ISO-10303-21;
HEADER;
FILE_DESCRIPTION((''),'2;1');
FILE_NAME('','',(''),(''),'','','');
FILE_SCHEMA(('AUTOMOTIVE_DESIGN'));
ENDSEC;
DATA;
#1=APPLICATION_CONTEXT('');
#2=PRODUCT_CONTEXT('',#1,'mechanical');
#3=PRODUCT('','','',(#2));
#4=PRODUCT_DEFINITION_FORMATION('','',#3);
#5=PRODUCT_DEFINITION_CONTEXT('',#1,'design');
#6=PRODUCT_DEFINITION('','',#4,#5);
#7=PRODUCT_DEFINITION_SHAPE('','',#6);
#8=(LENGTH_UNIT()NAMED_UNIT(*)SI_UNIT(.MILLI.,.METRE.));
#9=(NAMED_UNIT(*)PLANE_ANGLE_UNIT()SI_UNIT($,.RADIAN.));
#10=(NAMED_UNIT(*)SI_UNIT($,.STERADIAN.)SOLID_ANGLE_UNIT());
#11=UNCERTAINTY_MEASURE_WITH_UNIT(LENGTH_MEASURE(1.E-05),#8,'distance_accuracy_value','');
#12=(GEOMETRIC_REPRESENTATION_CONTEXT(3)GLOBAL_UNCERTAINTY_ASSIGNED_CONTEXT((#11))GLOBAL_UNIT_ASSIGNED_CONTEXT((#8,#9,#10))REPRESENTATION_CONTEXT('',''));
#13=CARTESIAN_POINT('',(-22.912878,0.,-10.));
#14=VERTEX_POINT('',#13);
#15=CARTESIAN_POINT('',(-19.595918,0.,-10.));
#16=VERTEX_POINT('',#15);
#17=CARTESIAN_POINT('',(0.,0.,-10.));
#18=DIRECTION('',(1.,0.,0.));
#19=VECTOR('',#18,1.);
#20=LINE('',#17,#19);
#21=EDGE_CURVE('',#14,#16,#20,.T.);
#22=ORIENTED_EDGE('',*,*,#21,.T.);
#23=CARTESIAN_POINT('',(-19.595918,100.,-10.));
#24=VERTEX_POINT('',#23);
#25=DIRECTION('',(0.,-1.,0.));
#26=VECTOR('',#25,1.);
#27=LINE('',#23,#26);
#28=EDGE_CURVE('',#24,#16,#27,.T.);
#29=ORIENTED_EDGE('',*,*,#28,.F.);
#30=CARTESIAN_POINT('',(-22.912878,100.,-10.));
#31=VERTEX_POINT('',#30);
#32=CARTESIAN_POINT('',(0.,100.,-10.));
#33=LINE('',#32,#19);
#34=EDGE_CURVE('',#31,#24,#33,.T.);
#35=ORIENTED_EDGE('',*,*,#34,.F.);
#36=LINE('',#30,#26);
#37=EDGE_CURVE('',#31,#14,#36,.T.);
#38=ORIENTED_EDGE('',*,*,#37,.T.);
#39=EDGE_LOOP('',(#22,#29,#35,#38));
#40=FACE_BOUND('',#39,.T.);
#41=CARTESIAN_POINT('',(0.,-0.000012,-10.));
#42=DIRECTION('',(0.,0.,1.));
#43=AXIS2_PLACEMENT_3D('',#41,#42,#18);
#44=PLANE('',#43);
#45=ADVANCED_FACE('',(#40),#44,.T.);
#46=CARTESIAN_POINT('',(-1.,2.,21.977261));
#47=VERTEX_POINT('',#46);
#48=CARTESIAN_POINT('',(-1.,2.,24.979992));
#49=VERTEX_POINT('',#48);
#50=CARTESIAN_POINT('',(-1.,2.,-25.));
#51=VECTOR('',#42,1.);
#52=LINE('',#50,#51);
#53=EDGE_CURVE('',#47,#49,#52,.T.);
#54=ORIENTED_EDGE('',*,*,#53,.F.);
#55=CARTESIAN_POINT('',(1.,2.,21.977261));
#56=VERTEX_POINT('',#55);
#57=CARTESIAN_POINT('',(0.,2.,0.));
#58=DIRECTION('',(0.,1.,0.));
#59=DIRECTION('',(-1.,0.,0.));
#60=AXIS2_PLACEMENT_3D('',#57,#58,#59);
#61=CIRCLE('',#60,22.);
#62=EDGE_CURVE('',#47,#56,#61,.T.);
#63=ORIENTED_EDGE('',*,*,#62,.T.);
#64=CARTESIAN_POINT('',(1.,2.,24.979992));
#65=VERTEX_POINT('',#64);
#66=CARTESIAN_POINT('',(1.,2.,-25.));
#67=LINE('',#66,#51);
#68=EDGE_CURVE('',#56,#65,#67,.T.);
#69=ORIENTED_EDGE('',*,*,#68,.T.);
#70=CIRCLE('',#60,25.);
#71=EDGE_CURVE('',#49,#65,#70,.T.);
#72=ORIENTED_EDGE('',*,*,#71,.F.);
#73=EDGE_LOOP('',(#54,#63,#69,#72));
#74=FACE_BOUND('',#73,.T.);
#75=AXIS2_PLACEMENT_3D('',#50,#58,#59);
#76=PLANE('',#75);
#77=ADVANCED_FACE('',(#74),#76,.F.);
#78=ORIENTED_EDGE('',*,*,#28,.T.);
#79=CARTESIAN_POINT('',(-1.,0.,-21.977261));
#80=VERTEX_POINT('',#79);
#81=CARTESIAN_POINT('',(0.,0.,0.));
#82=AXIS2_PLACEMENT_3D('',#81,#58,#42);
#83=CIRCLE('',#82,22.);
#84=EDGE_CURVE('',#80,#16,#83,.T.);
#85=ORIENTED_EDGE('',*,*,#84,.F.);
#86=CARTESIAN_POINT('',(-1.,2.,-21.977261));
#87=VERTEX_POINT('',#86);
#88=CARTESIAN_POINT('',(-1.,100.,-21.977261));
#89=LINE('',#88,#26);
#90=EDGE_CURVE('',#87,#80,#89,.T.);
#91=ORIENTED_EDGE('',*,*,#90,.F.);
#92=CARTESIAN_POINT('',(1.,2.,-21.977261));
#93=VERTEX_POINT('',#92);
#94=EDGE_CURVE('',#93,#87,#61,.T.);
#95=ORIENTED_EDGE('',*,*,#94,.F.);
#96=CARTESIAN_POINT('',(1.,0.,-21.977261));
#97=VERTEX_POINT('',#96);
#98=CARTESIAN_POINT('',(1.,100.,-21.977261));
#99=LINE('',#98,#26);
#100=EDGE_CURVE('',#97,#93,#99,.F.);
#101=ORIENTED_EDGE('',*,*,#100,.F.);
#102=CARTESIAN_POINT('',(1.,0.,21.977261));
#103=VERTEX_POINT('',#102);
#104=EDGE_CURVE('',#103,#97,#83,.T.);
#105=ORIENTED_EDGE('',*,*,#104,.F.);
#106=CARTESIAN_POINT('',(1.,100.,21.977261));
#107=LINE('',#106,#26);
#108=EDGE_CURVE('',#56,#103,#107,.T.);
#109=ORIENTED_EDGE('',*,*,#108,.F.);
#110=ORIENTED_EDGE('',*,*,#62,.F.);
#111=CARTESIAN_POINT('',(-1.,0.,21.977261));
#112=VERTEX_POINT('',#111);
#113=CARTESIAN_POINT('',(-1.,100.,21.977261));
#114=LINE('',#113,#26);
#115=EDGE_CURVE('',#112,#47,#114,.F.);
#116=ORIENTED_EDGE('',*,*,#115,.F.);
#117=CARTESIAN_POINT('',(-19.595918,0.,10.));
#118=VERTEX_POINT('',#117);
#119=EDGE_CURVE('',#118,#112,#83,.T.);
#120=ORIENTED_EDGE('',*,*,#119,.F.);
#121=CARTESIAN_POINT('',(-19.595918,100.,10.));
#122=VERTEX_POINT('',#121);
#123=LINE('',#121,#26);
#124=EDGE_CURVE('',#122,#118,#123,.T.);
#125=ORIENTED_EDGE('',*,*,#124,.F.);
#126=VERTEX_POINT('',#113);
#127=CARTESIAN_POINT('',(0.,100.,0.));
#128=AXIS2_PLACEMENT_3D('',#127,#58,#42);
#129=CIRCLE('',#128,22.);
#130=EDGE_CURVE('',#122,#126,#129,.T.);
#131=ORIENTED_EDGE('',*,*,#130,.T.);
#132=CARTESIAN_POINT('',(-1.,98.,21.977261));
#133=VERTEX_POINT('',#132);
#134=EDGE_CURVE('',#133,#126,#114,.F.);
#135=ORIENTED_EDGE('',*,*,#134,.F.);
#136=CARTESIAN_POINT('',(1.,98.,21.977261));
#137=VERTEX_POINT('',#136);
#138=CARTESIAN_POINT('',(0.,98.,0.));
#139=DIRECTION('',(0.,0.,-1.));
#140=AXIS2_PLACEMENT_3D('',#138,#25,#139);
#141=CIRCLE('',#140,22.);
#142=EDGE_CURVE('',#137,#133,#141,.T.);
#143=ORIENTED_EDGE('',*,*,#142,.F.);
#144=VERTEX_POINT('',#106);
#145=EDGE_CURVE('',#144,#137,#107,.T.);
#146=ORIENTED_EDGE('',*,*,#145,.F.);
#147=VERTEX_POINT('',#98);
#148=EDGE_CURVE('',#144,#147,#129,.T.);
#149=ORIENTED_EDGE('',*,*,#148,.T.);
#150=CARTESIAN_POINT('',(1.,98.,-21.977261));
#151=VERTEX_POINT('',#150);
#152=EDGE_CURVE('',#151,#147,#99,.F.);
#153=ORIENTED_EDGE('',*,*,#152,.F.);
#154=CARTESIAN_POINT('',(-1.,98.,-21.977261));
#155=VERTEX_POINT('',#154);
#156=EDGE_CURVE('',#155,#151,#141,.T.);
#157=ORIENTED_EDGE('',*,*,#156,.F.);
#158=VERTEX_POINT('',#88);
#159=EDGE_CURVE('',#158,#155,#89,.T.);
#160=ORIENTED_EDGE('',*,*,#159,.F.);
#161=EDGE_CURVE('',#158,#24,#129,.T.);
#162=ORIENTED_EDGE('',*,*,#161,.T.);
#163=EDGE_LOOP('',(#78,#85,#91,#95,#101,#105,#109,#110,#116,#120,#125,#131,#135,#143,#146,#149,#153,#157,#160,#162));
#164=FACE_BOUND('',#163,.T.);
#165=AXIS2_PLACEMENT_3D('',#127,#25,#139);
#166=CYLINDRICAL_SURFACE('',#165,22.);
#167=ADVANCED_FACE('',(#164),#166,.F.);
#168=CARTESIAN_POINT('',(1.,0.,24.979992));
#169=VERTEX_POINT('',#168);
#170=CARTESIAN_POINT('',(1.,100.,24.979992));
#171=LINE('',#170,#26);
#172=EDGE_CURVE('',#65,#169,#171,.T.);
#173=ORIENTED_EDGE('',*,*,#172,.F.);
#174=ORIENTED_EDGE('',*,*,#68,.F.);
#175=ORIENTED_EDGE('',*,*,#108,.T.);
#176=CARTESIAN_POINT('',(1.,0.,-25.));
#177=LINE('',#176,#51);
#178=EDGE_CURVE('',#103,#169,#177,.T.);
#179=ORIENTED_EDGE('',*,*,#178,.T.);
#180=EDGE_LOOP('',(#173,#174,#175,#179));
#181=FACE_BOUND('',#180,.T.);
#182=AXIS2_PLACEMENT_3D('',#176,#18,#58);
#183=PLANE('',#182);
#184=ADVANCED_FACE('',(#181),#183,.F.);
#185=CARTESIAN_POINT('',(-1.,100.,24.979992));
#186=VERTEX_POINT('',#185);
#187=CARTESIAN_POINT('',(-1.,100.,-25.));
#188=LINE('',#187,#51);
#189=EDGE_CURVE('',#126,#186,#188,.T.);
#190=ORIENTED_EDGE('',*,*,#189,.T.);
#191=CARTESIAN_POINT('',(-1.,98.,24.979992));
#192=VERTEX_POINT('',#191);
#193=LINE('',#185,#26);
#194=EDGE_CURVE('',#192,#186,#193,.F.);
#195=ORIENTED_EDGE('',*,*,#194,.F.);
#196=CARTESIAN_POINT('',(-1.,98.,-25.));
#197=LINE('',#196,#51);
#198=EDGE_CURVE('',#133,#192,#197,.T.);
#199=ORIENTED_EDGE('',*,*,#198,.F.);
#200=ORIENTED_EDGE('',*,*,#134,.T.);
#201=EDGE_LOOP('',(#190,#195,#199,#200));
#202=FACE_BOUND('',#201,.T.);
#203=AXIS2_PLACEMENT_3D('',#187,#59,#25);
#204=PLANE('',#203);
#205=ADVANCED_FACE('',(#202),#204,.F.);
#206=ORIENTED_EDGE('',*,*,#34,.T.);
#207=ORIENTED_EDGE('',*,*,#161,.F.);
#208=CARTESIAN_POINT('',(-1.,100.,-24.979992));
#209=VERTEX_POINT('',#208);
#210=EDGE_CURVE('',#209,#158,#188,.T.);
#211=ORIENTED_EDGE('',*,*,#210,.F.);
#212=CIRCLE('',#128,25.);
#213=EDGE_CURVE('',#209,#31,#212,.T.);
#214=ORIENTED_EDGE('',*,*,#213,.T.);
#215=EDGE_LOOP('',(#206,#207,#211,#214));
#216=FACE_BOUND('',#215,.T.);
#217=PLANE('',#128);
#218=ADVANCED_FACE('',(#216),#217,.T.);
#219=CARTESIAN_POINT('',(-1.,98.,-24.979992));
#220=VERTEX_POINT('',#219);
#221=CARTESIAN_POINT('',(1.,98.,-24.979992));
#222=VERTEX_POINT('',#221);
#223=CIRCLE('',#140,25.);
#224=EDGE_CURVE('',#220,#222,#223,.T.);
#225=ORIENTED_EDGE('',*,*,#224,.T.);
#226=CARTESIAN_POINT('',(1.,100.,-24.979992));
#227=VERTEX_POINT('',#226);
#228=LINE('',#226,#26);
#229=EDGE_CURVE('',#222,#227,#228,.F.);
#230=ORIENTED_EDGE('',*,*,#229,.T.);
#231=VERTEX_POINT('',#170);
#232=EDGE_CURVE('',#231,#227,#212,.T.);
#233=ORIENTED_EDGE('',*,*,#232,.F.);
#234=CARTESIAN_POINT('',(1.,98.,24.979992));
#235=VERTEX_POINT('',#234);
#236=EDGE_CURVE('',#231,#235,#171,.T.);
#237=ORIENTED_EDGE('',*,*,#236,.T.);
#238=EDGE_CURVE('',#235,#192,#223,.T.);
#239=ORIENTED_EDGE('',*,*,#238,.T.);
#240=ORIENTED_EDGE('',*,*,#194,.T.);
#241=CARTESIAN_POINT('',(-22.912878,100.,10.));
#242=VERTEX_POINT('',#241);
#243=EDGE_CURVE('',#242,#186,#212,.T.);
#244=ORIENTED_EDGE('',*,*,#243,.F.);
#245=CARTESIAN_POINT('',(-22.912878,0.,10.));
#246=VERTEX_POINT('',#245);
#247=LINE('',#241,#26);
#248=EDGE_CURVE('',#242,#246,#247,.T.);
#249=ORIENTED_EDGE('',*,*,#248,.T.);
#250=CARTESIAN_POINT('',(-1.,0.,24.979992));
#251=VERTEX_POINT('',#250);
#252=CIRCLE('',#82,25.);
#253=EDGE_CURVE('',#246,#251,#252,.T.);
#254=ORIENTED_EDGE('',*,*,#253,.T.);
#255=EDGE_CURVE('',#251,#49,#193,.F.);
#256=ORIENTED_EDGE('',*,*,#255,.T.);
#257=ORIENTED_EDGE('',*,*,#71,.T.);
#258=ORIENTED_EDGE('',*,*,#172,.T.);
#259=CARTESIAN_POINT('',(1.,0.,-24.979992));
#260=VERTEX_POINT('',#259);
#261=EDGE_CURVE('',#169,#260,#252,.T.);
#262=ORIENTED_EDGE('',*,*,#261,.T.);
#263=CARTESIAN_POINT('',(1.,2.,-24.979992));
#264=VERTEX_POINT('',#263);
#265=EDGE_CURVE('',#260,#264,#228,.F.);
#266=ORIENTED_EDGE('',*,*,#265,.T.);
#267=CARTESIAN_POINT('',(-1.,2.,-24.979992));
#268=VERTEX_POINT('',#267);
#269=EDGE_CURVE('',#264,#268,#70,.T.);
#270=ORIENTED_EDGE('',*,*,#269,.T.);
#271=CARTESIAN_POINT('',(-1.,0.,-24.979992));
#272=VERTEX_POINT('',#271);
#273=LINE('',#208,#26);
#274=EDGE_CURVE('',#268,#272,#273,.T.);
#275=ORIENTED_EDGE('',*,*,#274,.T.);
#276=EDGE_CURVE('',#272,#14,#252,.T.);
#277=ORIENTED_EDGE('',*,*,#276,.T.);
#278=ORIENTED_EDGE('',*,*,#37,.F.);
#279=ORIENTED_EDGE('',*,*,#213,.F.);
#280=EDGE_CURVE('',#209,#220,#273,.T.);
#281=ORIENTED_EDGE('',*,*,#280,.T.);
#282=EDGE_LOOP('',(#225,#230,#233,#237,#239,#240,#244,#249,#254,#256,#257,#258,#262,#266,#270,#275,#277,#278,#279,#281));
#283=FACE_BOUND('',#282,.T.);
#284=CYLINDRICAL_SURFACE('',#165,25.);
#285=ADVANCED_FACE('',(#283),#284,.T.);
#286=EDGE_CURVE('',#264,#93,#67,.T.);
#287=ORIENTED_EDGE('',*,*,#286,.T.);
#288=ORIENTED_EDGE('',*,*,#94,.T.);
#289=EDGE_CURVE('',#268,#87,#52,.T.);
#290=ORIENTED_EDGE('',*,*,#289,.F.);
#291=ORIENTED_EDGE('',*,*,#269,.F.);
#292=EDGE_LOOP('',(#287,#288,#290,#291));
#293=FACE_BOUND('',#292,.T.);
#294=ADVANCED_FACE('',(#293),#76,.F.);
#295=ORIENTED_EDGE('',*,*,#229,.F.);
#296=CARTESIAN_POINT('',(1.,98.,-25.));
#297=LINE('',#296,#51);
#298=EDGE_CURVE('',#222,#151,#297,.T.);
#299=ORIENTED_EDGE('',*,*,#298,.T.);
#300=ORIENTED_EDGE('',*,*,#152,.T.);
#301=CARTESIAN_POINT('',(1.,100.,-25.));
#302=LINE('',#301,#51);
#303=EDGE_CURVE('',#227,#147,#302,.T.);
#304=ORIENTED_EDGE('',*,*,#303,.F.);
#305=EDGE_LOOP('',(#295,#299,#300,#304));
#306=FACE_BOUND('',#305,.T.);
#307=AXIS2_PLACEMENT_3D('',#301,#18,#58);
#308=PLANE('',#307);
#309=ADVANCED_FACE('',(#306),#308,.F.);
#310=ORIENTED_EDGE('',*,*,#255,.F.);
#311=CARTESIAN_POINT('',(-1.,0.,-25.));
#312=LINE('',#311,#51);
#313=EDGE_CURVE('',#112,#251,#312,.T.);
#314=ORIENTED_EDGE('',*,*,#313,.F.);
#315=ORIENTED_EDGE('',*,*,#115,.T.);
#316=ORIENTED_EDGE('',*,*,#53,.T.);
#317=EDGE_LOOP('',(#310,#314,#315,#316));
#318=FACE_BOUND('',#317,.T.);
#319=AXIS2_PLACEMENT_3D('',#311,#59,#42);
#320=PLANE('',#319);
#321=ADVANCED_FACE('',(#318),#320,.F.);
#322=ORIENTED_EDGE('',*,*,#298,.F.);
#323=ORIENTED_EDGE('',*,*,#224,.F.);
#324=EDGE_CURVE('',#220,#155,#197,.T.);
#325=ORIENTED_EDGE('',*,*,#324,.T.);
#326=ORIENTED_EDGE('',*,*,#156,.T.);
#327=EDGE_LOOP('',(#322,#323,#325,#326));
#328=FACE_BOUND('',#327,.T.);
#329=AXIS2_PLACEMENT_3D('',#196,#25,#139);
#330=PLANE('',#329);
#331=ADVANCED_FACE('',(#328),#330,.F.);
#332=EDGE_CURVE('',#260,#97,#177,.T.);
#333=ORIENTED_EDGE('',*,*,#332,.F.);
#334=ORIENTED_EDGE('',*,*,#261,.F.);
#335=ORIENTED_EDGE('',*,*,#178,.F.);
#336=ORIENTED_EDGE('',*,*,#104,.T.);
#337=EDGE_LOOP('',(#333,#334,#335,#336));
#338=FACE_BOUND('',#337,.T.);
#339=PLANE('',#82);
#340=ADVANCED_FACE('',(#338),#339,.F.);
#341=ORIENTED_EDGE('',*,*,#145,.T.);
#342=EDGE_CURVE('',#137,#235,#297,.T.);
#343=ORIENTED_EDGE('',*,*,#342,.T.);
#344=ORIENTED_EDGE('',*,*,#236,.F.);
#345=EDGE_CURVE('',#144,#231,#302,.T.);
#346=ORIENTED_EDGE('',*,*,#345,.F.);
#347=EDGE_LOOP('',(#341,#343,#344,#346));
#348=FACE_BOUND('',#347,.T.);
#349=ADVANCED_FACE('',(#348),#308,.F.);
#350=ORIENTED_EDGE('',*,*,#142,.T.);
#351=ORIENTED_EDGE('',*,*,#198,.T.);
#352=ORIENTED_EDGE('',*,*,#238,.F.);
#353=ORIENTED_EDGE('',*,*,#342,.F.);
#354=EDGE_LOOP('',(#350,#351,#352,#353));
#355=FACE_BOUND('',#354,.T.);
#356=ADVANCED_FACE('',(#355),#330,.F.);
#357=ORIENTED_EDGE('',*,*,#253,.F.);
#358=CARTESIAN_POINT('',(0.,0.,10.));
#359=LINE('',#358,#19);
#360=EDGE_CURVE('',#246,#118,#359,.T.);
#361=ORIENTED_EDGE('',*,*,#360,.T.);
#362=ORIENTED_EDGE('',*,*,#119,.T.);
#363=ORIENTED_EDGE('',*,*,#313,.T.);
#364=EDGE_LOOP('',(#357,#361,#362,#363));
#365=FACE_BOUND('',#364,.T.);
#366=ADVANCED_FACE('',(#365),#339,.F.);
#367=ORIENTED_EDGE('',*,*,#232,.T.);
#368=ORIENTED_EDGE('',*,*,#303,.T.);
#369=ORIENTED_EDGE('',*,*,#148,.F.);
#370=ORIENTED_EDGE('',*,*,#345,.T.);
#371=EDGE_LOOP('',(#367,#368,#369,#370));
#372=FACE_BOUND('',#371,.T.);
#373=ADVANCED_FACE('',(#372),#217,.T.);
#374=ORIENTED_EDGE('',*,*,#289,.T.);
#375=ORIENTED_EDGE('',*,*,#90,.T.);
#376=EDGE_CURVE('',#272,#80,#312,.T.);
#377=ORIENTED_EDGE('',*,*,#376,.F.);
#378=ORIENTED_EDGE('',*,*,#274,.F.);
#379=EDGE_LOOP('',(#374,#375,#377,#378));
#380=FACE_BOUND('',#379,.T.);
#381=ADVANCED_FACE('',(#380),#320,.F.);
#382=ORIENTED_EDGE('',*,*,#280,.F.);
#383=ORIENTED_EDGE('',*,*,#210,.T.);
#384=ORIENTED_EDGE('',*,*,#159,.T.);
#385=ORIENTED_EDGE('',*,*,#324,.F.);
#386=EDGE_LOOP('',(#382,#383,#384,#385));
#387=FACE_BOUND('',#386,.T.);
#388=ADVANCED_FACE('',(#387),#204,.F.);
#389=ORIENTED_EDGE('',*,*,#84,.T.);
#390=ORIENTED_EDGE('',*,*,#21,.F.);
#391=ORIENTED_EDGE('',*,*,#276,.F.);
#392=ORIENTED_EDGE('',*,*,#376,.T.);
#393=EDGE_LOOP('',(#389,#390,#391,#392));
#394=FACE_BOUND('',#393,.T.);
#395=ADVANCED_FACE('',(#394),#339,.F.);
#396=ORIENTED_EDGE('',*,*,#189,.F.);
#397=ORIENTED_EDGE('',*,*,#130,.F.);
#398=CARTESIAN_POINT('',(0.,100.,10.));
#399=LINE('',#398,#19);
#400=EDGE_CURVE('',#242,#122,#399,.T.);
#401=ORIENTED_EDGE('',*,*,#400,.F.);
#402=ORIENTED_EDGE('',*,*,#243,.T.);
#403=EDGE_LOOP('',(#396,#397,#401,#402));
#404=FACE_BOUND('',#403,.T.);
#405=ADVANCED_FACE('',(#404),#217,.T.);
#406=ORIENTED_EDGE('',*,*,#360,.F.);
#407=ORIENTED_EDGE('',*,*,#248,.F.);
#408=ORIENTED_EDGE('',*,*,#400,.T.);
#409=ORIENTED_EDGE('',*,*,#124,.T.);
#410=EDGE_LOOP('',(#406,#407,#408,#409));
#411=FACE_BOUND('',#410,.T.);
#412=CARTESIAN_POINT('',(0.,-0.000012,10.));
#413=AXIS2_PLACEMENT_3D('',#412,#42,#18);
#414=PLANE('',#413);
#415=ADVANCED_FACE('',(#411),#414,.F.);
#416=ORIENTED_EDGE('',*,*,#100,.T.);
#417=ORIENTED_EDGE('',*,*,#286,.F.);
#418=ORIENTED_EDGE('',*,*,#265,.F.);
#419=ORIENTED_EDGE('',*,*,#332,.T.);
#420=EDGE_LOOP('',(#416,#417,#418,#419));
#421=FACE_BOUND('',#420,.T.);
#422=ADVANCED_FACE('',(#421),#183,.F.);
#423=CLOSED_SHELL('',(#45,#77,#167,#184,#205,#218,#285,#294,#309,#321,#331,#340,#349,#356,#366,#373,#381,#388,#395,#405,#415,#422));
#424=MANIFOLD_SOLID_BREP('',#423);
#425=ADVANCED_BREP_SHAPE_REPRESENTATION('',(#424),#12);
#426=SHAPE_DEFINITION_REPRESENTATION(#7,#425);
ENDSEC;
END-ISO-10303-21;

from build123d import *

# Parameters (mm, degrees)
SKETCH_1_R               = 25
SKETCH_1_R_2             = 22
EXTRUDE_1_DEPTH          = 100
CUT_EXTRUDE_1_DEPTH      = 107.066017178
CUT_EXTRUDE_1_DEPTH_BACK = 107.066017178
SKETCH_2_W               = 2
SKETCH_2_H               = 2
CUT_EXTRUDE_4_DEPTH      = 107.066017178
CUT_EXTRUDE_4_DEPTH_BACK = 107.066017178
SKETCH_3_W               = 30.652062969
SKETCH_3_H               = 20


with BuildPart() as part:
    # 草圖1 → 填料-伸長1 (new body)
    with BuildSketch(Plane(origin=(0, 0, 0), x_dir=(1, 0, 0), z_dir=(0, 1, 0))):
        with Locations(Location((0, 0, 0), (0, 0, 270))):
            Circle(SKETCH_1_R)
        with Locations(Location((0, 0, 0), (0, 0, 270))):
            Circle(SKETCH_1_R_2, mode=Mode.SUBTRACT)
    extrude(amount=EXTRUDE_1_DEPTH)

    # 草圖2 → 除料-伸長1 (cut, two sides: drawn at the far end of the back side and taken through both)
    with BuildSketch(Plane.XY.offset(-CUT_EXTRUDE_1_DEPTH_BACK)):
        with Locations((0, 99)):
            Rectangle(SKETCH_2_W, SKETCH_2_H)
        with Locations((0, 1)):
            Rectangle(SKETCH_2_W, SKETCH_2_H)
    extrude(amount=CUT_EXTRUDE_1_DEPTH + CUT_EXTRUDE_1_DEPTH_BACK, mode=Mode.SUBTRACT)

    # 草圖3 → 除料-伸長4 (cut, two sides: drawn at the far end of the back side and taken through both)
    with BuildSketch(Plane(origin=(0, 0, 0), x_dir=(1, 0, 0), z_dir=(0, 1, 0)).offset(-CUT_EXTRUDE_4_DEPTH_BACK)):
        with Locations((-28.265221999, 0)):
            Rectangle(SKETCH_3_W, SKETCH_3_H)
    extrude(amount=CUT_EXTRUDE_4_DEPTH + CUT_EXTRUDE_4_DEPTH_BACK, mode=Mode.SUBTRACT)


solid = part.part
